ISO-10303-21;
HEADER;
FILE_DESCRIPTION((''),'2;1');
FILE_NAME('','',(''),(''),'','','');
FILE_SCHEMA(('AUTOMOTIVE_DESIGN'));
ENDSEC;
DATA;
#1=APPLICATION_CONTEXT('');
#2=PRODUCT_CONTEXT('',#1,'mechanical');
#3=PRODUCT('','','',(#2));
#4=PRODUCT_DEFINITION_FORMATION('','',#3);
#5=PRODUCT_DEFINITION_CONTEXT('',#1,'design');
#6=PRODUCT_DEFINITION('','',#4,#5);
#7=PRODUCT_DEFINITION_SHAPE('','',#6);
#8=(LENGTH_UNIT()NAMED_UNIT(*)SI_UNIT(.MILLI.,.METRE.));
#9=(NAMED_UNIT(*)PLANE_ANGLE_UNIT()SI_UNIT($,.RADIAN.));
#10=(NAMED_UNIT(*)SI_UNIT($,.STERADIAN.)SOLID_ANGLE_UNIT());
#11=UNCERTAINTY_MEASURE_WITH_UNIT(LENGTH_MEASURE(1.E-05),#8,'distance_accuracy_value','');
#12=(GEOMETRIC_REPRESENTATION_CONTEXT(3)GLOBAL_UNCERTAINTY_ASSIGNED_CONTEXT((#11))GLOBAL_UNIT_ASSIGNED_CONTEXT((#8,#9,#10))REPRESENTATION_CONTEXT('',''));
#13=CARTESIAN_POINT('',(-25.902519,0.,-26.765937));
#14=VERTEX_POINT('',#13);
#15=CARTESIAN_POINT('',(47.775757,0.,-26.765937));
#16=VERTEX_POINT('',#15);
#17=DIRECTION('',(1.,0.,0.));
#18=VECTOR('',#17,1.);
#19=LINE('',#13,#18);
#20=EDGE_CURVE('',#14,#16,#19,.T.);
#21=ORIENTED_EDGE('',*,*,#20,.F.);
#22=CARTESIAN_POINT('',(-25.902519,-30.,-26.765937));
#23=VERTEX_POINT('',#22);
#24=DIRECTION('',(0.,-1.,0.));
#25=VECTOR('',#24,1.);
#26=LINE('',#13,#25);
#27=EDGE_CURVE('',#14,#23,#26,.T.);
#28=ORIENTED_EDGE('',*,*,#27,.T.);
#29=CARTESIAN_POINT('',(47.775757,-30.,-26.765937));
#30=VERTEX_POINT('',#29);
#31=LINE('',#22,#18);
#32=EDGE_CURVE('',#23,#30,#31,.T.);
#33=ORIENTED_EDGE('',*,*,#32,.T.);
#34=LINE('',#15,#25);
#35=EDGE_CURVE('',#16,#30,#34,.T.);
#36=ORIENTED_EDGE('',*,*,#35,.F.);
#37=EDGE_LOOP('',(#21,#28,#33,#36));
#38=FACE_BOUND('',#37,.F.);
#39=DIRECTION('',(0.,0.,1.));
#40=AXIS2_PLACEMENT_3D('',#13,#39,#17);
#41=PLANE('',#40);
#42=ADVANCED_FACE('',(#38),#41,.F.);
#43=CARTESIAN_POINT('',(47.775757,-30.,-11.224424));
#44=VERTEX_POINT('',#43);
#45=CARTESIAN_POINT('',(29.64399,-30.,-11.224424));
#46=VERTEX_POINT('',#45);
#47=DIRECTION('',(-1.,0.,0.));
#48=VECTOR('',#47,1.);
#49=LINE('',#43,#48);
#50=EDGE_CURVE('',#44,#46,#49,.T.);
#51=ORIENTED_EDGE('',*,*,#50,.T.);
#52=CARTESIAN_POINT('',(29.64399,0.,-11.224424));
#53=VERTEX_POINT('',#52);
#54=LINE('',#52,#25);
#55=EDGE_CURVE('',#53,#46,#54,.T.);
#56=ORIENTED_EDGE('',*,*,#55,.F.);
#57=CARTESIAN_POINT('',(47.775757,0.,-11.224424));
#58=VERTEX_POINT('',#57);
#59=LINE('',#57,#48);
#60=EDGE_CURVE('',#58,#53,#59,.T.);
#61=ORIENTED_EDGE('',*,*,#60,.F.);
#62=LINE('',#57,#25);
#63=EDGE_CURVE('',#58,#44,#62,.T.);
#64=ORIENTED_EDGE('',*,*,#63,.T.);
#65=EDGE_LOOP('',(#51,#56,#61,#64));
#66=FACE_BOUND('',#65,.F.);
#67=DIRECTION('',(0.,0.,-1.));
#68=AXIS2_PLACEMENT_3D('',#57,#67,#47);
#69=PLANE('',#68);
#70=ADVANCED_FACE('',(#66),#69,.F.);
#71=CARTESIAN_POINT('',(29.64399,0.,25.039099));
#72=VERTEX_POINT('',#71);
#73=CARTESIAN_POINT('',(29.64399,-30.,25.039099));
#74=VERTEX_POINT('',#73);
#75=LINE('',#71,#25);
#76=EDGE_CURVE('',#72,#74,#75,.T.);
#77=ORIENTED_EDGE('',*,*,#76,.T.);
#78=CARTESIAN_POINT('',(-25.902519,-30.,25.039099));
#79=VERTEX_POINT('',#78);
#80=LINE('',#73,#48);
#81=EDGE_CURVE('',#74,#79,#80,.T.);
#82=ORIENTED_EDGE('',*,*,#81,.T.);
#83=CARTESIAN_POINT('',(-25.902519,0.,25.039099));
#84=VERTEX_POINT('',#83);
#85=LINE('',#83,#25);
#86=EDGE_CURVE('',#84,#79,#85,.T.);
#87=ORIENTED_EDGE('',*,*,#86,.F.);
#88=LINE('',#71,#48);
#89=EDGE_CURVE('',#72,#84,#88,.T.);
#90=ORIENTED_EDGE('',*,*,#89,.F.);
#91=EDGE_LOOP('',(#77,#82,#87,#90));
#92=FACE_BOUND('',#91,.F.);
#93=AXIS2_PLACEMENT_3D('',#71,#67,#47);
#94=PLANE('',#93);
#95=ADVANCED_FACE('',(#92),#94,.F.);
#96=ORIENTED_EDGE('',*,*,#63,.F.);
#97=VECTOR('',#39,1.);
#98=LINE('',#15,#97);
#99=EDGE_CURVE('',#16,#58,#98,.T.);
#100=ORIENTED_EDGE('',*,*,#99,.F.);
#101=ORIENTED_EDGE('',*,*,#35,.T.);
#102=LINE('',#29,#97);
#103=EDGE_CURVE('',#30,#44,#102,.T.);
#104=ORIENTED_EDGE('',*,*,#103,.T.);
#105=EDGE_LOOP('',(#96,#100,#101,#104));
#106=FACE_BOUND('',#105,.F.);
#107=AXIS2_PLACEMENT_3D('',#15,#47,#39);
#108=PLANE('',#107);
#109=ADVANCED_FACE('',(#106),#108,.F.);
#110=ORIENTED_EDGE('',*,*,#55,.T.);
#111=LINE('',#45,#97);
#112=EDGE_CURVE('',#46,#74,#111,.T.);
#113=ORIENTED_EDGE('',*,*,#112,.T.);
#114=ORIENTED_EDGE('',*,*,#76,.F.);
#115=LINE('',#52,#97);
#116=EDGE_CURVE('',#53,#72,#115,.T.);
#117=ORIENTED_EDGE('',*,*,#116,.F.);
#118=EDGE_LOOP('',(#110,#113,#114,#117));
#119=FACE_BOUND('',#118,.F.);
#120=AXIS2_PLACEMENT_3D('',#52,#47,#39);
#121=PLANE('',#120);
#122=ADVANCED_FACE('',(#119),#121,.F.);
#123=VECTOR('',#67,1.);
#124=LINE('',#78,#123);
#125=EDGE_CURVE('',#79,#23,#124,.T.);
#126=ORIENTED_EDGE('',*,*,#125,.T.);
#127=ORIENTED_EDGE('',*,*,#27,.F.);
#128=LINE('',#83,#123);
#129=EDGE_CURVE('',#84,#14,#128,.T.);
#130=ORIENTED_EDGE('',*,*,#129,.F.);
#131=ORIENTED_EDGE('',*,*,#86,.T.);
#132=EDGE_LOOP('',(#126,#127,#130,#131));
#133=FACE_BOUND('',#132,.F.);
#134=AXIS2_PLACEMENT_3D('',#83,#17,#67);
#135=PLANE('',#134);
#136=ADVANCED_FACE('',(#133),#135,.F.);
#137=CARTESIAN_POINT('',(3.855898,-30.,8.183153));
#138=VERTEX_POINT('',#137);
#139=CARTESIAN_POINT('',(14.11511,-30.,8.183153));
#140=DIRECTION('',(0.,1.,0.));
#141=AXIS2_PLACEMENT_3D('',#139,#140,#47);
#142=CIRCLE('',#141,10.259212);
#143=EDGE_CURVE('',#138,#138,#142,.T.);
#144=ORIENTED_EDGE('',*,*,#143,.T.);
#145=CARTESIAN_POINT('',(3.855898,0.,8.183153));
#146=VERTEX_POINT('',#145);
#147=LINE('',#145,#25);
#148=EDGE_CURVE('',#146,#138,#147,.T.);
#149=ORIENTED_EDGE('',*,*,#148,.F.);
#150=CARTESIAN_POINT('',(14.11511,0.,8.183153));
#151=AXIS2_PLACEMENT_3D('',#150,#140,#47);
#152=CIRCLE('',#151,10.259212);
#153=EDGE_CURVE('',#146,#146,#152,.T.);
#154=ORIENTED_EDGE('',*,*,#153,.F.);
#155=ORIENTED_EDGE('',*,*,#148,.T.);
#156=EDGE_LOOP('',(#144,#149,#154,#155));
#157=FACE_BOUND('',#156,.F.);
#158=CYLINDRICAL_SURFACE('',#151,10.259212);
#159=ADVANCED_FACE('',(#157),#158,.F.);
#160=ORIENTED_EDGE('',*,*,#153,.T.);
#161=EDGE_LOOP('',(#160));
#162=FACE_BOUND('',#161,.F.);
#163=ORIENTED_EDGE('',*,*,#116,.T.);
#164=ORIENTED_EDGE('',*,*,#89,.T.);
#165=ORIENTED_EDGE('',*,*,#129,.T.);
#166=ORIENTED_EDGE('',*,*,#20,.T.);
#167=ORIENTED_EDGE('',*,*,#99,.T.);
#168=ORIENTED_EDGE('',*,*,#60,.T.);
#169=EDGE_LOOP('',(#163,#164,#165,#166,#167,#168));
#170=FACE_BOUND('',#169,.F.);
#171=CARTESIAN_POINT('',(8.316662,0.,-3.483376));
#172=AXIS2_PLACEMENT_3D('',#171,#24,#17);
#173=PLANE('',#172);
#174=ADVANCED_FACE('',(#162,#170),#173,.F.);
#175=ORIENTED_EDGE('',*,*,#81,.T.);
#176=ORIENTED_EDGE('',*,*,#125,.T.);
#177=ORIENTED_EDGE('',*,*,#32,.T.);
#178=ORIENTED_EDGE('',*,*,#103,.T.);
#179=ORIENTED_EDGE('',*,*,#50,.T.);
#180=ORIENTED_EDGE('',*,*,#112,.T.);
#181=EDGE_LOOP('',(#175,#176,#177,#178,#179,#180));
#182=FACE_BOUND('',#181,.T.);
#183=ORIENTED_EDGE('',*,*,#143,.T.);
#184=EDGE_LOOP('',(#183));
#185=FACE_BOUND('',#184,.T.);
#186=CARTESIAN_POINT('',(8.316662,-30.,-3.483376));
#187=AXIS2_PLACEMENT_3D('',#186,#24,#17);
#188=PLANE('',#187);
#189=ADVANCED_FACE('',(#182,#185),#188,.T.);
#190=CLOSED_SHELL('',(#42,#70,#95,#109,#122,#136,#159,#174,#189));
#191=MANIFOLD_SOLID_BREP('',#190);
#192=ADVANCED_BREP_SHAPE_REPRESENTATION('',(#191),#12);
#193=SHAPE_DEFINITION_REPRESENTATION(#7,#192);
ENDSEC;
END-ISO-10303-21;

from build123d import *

# Parameters (mm, degrees)
F1_DEPTH = 30
F2_R     = 10.259212
F3_DEPTH = 30


with BuildPart() as f1:
    # F0 (on Front) → F1 (new body)
    with BuildSketch(Plane.XZ):
        Polygon((29.64399, 25.039099), (-25.902519, 25.039099), (-25.902519, -26.765937), (29.64399, -26.765937), (47.775757, -26.765937), (47.775757, -11.224424), (29.64399, -11.224424), align=None)
    extrude(amount=F1_DEPTH)

    # F2 (on face) → F3 (cut)
    with BuildSketch(Plane(origin=(0, 0, 0), x_dir=(-1, 0, 0), z_dir=(0, 1, 0))):
        with Locations((-14.11511, 8.183153)):
            Circle(F2_R)
    extrude(amount=-F3_DEPTH, mode=Mode.SUBTRACT)


solid = f1.part
